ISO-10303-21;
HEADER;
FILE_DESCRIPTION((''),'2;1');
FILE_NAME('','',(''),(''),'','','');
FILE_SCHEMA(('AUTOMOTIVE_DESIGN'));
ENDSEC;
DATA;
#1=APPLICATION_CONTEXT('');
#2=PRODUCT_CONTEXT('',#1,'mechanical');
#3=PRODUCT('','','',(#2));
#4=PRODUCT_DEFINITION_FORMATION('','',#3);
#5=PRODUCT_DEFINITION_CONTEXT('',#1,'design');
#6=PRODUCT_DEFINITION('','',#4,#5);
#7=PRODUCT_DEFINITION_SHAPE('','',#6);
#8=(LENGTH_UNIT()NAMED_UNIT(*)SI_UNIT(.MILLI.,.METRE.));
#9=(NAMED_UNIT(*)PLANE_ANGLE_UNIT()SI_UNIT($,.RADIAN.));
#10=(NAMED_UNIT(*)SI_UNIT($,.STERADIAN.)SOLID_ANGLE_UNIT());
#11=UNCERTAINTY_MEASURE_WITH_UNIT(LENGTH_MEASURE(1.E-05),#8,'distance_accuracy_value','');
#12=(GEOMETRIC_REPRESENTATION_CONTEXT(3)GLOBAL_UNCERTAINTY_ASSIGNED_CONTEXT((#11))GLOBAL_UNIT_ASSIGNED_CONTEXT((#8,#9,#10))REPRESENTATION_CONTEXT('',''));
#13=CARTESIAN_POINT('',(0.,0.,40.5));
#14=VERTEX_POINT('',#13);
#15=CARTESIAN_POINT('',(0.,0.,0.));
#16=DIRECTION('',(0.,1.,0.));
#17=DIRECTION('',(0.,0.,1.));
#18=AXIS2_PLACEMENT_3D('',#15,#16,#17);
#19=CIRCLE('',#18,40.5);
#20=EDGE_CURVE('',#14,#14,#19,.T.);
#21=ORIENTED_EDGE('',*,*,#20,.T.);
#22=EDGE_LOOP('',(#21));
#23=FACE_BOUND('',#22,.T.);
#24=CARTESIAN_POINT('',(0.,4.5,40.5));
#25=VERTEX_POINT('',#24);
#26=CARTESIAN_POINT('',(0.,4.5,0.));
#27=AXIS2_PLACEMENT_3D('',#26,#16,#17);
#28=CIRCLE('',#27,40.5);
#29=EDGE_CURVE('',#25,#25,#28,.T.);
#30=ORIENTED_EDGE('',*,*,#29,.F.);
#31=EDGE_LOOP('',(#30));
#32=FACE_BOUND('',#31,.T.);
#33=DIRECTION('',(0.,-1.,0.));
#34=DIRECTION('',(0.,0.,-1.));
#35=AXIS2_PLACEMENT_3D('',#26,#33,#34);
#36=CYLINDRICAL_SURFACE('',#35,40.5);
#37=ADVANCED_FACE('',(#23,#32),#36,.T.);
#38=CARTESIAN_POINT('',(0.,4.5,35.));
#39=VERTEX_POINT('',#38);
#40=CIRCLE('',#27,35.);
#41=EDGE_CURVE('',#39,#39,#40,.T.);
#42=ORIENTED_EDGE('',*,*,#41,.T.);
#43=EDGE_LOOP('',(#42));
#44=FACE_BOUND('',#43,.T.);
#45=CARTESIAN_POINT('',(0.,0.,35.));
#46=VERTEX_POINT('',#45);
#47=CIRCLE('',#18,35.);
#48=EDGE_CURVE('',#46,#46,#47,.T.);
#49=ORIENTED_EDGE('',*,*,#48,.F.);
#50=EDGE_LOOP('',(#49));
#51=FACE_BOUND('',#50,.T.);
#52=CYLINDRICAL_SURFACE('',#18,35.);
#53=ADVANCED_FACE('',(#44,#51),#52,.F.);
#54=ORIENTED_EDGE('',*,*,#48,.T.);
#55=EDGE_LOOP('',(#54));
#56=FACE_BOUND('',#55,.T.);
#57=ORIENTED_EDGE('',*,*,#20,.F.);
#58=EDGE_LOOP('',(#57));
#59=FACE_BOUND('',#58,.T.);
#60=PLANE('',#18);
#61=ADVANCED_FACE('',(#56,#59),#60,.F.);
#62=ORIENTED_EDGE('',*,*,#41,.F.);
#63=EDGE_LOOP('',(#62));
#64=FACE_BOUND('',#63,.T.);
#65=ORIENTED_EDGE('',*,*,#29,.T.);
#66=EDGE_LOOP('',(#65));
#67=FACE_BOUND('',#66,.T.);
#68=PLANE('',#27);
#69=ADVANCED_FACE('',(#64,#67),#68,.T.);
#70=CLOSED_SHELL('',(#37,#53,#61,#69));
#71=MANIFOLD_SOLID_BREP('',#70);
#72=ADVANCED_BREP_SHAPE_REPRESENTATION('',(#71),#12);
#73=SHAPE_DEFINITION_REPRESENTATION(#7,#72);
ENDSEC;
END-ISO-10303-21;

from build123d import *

# Parameters (mm, degrees)
SKETCH1_R           = 40.5
BOSS_EXTRUDE1_DEPTH = 4.5
SKETCH2_R           = 35
CUT_EXTRUDE1_DEPTH  = 5.5


with BuildPart() as part:
    # Sketch1 → Boss-Extrude1 (new body)
    with BuildSketch(Plane(origin=(0, 0, 0), x_dir=(1, 0, 0), z_dir=(0, 1, 0))):
        Circle(SKETCH1_R)
    extrude(amount=BOSS_EXTRUDE1_DEPTH)

    # Sketch2 → Cut-Extrude1 (cut, through all)
    with BuildSketch(Plane(origin=(0, 4.5, 0), x_dir=(1, 0, 0), z_dir=(0, 1, 0))):
        Circle(SKETCH2_R)
    extrude(amount=-CUT_EXTRUDE1_DEPTH, mode=Mode.SUBTRACT)


solid = part.part
